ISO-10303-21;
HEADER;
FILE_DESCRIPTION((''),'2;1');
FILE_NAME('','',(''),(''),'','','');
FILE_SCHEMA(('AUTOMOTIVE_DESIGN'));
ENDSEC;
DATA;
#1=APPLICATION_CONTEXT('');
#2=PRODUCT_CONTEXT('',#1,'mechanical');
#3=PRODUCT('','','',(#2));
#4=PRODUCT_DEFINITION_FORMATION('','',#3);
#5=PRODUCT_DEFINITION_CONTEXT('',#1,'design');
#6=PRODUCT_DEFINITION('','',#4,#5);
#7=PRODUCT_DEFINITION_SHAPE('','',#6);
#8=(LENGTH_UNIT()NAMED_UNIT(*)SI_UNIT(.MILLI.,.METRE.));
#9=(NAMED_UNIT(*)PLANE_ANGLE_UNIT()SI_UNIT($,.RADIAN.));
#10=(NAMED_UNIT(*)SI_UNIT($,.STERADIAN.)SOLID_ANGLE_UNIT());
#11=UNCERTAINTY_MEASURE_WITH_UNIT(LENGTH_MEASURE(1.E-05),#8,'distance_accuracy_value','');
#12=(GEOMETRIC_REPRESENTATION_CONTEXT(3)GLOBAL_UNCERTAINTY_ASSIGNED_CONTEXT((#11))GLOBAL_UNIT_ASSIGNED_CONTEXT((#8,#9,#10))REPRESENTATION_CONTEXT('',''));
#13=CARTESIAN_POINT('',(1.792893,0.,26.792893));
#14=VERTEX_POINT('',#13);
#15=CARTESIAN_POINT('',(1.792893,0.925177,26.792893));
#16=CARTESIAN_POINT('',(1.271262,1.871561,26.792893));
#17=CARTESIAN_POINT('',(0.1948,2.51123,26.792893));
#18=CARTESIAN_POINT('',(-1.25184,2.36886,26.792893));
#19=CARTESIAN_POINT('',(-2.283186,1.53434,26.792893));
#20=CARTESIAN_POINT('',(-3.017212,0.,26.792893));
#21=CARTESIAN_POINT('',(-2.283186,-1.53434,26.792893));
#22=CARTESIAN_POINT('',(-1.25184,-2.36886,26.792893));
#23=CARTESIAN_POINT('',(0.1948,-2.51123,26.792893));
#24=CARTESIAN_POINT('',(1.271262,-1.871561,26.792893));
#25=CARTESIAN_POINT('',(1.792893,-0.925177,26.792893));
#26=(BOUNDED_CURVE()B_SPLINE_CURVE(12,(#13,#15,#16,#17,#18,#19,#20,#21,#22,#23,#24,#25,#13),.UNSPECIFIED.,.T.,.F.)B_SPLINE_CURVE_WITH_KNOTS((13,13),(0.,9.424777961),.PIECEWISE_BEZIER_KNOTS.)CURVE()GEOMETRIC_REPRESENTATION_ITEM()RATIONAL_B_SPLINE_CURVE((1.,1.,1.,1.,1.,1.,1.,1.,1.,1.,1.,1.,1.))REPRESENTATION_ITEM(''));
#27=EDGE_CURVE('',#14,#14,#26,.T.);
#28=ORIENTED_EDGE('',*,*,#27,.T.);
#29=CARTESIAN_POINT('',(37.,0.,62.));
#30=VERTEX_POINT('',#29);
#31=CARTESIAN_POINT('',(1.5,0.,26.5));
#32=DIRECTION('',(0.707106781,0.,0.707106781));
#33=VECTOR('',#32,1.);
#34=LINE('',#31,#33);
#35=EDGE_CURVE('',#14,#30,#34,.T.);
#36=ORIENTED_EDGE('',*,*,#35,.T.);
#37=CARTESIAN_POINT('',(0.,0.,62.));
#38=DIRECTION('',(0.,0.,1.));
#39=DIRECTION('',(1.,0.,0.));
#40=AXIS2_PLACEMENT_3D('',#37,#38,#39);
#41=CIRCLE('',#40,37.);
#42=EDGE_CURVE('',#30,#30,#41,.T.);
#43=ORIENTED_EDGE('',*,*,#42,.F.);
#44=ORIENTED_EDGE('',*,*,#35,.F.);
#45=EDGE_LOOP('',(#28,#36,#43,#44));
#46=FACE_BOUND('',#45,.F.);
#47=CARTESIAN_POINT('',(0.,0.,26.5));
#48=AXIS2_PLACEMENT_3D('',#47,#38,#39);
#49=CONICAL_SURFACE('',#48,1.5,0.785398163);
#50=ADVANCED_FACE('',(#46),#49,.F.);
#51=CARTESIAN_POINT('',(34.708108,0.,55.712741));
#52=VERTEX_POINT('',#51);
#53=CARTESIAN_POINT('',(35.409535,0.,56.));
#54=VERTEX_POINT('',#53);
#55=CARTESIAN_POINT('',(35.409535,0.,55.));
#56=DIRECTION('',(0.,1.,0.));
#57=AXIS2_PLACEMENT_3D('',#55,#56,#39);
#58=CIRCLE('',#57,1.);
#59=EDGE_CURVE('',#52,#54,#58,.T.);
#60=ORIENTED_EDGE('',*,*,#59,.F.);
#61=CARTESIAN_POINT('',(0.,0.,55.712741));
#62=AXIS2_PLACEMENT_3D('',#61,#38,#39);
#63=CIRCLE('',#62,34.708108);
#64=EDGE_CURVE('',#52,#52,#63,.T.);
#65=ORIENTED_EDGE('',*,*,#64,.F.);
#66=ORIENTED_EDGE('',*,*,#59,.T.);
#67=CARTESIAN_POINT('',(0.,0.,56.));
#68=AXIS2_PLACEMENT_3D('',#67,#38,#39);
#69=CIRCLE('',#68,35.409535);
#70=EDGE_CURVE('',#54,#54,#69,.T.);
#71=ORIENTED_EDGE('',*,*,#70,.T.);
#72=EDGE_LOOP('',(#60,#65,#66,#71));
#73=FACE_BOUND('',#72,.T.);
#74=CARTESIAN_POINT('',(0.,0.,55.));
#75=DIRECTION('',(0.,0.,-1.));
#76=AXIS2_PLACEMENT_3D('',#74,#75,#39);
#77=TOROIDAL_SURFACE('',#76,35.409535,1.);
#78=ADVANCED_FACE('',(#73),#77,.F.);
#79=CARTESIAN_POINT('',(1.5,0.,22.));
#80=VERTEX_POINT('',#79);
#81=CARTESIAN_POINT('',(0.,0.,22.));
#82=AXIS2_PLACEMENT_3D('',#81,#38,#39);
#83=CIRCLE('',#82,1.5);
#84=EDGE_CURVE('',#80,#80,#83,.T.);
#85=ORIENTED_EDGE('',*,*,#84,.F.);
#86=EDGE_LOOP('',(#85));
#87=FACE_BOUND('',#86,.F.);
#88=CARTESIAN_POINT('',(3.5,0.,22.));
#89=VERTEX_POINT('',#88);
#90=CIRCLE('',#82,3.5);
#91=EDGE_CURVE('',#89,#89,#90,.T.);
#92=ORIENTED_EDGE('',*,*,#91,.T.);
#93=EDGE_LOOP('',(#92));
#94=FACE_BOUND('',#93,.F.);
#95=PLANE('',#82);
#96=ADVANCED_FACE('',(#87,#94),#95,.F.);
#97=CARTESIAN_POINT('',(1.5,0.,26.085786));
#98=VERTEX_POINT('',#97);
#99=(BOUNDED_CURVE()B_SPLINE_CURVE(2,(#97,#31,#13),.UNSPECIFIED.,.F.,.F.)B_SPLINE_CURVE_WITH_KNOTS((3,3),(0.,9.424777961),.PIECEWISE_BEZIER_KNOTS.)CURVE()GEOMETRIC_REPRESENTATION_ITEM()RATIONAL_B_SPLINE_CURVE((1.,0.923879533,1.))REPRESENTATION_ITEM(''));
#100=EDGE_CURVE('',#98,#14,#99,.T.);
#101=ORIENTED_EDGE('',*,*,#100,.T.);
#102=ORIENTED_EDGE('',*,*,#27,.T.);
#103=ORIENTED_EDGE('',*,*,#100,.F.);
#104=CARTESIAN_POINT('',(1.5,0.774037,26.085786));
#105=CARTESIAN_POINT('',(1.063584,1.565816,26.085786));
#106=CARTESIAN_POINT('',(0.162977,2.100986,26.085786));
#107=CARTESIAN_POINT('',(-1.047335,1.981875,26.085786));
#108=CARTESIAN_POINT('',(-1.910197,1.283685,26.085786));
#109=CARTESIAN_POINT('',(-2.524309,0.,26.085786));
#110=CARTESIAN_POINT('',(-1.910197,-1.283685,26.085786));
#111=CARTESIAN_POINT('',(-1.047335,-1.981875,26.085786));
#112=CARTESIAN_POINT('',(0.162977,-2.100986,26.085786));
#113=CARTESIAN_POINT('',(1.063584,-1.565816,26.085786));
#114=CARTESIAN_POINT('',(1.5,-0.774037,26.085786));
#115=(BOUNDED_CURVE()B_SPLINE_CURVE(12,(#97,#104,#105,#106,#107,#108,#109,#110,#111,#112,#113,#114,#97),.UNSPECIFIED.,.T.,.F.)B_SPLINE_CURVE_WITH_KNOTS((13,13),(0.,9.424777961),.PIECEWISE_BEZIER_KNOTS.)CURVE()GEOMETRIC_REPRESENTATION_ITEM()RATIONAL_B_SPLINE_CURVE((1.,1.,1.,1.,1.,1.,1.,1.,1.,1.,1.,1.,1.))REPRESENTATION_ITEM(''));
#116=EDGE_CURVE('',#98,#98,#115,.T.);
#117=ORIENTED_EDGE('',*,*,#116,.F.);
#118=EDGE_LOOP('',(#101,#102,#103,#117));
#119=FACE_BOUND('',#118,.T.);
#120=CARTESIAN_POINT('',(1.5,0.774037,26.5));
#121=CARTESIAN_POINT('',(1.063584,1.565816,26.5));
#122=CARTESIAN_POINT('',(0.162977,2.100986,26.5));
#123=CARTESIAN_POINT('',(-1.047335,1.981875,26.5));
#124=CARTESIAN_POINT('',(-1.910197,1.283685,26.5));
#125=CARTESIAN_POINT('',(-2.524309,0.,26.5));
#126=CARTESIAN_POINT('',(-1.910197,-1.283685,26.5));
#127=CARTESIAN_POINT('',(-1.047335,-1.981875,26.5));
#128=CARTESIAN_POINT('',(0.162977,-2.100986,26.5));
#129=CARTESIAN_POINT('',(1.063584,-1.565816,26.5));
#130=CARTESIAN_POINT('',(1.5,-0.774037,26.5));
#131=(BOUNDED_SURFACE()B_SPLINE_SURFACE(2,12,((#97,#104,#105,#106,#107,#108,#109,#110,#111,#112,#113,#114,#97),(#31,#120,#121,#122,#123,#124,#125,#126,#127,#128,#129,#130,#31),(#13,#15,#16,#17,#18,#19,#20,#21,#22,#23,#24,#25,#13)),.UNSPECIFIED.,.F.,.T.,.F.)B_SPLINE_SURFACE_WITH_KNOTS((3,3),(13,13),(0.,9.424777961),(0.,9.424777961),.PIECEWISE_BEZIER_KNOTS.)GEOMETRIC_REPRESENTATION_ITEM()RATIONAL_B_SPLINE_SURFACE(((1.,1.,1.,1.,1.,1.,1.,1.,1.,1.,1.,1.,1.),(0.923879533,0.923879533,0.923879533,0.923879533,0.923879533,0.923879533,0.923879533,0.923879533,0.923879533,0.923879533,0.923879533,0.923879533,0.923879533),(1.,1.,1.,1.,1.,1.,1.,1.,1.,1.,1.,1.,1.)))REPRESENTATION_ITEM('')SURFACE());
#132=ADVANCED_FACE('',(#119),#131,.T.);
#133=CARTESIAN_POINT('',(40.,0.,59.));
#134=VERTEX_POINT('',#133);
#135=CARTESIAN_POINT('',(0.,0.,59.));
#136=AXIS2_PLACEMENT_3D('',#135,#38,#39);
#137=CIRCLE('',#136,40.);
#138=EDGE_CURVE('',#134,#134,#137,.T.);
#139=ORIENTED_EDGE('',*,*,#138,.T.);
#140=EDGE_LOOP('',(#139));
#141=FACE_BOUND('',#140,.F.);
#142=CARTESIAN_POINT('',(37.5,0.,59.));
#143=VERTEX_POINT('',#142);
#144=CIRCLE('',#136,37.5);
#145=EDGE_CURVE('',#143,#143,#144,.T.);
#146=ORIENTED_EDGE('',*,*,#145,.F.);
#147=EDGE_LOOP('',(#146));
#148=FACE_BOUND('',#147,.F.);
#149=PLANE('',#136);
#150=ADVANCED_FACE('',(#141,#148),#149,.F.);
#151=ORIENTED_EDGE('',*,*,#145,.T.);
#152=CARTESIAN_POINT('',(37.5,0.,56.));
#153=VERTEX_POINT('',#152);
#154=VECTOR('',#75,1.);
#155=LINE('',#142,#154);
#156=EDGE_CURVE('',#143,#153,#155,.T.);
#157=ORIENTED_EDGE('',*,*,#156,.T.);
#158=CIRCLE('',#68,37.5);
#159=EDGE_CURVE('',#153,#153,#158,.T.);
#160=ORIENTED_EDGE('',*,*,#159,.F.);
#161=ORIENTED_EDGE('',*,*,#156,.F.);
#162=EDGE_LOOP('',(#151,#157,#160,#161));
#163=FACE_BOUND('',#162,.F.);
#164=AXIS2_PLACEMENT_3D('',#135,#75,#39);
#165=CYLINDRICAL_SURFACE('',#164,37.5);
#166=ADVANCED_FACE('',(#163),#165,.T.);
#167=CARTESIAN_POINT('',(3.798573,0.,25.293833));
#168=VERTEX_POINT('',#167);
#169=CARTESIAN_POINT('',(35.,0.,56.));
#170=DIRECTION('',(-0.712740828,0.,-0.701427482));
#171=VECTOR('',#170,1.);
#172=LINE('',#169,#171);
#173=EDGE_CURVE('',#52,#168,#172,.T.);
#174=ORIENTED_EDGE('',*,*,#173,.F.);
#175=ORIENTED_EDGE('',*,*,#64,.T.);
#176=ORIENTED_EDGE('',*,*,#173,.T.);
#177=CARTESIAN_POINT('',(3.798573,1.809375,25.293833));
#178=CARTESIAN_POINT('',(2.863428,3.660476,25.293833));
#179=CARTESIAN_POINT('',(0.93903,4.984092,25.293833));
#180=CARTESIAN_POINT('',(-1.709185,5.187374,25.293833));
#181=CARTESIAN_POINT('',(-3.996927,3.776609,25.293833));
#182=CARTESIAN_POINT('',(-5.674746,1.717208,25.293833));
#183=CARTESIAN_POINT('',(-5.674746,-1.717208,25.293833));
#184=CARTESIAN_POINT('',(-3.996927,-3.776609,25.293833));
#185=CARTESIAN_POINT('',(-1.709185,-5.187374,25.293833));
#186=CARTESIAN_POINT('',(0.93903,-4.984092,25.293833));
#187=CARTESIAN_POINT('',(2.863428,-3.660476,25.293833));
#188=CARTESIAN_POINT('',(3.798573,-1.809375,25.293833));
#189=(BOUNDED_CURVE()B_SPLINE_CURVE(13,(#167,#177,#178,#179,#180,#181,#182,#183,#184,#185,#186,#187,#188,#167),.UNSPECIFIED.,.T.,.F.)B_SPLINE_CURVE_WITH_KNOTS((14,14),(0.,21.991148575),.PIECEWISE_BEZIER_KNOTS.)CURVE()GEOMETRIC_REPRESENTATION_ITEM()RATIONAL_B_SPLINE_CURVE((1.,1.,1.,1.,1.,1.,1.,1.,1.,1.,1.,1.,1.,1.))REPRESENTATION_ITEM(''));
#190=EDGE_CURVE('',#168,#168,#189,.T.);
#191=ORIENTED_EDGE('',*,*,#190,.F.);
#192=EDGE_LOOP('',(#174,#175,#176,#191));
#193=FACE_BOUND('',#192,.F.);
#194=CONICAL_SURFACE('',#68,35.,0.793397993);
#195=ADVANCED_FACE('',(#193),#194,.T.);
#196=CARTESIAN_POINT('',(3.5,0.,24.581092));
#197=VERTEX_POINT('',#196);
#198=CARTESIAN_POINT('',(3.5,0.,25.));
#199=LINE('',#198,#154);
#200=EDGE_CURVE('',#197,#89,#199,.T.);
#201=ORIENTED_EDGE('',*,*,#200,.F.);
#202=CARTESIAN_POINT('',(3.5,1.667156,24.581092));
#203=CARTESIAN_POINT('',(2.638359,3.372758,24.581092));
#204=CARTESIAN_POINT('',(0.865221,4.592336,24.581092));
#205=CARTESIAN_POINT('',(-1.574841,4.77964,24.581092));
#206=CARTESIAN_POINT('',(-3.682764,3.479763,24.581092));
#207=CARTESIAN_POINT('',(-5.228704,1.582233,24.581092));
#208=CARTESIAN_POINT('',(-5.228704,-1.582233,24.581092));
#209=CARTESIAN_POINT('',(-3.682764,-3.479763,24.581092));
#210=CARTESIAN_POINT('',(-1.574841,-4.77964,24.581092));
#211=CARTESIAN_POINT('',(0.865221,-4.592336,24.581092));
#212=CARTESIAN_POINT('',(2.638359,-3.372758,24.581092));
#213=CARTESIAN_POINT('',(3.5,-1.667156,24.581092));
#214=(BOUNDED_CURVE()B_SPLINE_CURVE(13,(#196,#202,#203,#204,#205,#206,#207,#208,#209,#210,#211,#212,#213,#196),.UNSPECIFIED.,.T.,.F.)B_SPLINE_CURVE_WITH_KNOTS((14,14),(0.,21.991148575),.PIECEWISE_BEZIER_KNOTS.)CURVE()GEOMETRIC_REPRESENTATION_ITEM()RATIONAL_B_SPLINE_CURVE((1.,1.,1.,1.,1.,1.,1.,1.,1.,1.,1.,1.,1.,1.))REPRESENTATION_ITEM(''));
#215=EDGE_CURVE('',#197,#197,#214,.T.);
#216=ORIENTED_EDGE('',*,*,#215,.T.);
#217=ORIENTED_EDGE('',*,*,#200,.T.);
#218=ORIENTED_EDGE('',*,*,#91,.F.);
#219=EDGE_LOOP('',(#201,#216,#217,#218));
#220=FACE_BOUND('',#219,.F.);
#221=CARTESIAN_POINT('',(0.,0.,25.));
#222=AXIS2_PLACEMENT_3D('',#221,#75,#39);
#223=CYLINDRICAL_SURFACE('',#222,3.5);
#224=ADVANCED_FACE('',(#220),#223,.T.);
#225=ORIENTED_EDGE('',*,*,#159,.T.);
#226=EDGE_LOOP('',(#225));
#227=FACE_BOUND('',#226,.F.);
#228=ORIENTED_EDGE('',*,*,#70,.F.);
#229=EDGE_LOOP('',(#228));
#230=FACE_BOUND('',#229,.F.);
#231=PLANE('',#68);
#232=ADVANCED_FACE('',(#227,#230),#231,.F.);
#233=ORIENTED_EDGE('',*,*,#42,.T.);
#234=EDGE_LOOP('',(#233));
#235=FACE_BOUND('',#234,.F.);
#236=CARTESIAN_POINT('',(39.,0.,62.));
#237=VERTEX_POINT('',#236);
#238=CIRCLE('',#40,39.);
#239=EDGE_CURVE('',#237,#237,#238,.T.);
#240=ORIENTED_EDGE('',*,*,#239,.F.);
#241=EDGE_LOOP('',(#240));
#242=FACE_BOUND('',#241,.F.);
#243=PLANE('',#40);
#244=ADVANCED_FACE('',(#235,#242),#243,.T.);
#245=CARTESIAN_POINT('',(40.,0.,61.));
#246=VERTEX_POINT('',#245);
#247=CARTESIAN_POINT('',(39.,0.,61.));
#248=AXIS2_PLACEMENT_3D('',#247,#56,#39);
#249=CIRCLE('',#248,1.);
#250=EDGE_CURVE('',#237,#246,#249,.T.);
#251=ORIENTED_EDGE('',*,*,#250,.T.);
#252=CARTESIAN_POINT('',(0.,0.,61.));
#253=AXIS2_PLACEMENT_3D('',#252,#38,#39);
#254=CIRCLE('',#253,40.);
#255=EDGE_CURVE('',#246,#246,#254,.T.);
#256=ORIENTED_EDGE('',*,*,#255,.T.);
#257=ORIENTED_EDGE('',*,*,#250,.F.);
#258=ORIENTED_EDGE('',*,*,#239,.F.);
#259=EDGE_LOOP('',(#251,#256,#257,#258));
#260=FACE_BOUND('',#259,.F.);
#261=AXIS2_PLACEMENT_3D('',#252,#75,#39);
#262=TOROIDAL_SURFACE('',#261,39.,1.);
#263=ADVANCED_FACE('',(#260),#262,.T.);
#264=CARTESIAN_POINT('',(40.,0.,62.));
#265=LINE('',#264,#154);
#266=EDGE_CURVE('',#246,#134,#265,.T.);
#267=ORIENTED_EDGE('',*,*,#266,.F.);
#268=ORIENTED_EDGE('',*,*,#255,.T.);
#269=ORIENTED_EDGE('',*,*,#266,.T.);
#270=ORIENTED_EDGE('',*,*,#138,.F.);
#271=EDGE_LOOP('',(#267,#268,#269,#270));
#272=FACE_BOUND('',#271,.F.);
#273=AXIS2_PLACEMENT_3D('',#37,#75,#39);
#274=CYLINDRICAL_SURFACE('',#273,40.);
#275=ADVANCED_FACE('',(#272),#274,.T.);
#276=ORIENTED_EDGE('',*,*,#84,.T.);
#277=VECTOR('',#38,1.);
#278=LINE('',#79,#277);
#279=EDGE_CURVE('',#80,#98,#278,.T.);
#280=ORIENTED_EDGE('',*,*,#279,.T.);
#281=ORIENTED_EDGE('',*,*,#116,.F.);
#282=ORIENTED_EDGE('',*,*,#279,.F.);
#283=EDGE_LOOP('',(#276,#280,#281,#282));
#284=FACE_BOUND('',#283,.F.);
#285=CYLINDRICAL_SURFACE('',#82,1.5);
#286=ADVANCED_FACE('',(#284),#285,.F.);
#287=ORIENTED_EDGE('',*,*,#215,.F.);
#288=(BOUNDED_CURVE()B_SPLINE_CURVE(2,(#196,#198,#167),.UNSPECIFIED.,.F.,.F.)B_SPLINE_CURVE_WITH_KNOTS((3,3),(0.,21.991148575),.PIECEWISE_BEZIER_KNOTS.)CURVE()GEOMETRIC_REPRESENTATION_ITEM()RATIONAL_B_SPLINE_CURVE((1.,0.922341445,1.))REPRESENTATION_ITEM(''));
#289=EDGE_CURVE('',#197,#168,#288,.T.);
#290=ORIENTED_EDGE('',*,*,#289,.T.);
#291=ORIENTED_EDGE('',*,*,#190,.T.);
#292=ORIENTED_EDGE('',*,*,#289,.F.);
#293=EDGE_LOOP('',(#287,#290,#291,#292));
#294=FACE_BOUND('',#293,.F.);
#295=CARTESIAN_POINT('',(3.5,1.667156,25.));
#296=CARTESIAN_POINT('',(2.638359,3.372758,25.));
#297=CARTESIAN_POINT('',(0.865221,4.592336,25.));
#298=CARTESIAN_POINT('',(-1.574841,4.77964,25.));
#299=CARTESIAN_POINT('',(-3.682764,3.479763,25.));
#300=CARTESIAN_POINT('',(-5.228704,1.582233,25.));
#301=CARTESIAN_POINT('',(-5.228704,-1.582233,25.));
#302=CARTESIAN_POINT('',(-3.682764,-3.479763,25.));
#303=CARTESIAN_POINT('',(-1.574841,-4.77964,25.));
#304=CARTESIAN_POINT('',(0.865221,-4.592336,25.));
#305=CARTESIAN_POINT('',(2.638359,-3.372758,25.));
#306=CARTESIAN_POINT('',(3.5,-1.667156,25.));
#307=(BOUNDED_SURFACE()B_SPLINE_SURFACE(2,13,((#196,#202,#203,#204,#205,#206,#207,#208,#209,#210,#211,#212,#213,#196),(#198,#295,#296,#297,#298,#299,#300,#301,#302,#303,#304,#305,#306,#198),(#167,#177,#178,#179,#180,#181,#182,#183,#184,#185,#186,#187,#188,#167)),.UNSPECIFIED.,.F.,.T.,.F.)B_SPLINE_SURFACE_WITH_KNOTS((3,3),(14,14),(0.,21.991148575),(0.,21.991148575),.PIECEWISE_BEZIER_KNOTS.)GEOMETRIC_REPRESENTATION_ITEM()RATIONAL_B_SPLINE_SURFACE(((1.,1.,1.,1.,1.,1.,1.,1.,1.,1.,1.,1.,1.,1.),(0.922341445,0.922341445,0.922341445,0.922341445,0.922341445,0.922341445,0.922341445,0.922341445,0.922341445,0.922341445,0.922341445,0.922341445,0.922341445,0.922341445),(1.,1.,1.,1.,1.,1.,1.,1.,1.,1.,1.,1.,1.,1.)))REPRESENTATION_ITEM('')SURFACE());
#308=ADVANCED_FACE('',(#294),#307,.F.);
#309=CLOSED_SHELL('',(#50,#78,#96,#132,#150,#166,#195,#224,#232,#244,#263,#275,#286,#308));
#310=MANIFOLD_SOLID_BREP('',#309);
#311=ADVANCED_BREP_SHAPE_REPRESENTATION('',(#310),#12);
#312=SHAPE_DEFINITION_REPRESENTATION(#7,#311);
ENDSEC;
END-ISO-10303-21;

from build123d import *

# Parameters (mm, degrees)
FILLET009_R = 1
FILLET010_R = 1
FILLET011_R = 1
FILLET012_R = 1


with BuildPart() as part:
    # Sketch044 → Revolution (revolve)
    with BuildSketch(Plane.XZ):
        Polygon((40, 61), (40, 58), (37.5, 58), (37.5, 55), (35, 55), (3.5, 24), (3.5, 21), (1.5, 21), (1.5, 25.5), (37, 61), align=None)
    revolve(axis=Axis((0, 0, 0), (0, 0, 1)))

    # Fillet009
    fillet009_edges = [part.edges().sort_by_distance(p)[0] for p in [
        (-1.5, 0, 25.5),
    ]]
    fillet(fillet009_edges, radius=FILLET009_R)

    # Fillet010
    fillet010_edges = [part.edges().sort_by_distance(p)[0] for p in [
        (-40, 0, 61),
    ]]
    fillet(fillet010_edges, radius=FILLET010_R)

    # Fillet011
    fillet011_edges = [part.edges().sort_by_distance(p)[0] for p in [
        (-3.5, 0, 24),
    ]]
    fillet(fillet011_edges, radius=FILLET011_R)

    # Fillet012
    fillet012_edges = [part.edges().sort_by_distance(p)[0] for p in [
        (-35, 0, 55),
    ]]
    fillet(fillet012_edges, radius=FILLET012_R)


with BuildPart() as part_1:
    # Body006 placement: moved
    add(part.part.moved(Location((0, 0, 1))))


solid = part_1.part
